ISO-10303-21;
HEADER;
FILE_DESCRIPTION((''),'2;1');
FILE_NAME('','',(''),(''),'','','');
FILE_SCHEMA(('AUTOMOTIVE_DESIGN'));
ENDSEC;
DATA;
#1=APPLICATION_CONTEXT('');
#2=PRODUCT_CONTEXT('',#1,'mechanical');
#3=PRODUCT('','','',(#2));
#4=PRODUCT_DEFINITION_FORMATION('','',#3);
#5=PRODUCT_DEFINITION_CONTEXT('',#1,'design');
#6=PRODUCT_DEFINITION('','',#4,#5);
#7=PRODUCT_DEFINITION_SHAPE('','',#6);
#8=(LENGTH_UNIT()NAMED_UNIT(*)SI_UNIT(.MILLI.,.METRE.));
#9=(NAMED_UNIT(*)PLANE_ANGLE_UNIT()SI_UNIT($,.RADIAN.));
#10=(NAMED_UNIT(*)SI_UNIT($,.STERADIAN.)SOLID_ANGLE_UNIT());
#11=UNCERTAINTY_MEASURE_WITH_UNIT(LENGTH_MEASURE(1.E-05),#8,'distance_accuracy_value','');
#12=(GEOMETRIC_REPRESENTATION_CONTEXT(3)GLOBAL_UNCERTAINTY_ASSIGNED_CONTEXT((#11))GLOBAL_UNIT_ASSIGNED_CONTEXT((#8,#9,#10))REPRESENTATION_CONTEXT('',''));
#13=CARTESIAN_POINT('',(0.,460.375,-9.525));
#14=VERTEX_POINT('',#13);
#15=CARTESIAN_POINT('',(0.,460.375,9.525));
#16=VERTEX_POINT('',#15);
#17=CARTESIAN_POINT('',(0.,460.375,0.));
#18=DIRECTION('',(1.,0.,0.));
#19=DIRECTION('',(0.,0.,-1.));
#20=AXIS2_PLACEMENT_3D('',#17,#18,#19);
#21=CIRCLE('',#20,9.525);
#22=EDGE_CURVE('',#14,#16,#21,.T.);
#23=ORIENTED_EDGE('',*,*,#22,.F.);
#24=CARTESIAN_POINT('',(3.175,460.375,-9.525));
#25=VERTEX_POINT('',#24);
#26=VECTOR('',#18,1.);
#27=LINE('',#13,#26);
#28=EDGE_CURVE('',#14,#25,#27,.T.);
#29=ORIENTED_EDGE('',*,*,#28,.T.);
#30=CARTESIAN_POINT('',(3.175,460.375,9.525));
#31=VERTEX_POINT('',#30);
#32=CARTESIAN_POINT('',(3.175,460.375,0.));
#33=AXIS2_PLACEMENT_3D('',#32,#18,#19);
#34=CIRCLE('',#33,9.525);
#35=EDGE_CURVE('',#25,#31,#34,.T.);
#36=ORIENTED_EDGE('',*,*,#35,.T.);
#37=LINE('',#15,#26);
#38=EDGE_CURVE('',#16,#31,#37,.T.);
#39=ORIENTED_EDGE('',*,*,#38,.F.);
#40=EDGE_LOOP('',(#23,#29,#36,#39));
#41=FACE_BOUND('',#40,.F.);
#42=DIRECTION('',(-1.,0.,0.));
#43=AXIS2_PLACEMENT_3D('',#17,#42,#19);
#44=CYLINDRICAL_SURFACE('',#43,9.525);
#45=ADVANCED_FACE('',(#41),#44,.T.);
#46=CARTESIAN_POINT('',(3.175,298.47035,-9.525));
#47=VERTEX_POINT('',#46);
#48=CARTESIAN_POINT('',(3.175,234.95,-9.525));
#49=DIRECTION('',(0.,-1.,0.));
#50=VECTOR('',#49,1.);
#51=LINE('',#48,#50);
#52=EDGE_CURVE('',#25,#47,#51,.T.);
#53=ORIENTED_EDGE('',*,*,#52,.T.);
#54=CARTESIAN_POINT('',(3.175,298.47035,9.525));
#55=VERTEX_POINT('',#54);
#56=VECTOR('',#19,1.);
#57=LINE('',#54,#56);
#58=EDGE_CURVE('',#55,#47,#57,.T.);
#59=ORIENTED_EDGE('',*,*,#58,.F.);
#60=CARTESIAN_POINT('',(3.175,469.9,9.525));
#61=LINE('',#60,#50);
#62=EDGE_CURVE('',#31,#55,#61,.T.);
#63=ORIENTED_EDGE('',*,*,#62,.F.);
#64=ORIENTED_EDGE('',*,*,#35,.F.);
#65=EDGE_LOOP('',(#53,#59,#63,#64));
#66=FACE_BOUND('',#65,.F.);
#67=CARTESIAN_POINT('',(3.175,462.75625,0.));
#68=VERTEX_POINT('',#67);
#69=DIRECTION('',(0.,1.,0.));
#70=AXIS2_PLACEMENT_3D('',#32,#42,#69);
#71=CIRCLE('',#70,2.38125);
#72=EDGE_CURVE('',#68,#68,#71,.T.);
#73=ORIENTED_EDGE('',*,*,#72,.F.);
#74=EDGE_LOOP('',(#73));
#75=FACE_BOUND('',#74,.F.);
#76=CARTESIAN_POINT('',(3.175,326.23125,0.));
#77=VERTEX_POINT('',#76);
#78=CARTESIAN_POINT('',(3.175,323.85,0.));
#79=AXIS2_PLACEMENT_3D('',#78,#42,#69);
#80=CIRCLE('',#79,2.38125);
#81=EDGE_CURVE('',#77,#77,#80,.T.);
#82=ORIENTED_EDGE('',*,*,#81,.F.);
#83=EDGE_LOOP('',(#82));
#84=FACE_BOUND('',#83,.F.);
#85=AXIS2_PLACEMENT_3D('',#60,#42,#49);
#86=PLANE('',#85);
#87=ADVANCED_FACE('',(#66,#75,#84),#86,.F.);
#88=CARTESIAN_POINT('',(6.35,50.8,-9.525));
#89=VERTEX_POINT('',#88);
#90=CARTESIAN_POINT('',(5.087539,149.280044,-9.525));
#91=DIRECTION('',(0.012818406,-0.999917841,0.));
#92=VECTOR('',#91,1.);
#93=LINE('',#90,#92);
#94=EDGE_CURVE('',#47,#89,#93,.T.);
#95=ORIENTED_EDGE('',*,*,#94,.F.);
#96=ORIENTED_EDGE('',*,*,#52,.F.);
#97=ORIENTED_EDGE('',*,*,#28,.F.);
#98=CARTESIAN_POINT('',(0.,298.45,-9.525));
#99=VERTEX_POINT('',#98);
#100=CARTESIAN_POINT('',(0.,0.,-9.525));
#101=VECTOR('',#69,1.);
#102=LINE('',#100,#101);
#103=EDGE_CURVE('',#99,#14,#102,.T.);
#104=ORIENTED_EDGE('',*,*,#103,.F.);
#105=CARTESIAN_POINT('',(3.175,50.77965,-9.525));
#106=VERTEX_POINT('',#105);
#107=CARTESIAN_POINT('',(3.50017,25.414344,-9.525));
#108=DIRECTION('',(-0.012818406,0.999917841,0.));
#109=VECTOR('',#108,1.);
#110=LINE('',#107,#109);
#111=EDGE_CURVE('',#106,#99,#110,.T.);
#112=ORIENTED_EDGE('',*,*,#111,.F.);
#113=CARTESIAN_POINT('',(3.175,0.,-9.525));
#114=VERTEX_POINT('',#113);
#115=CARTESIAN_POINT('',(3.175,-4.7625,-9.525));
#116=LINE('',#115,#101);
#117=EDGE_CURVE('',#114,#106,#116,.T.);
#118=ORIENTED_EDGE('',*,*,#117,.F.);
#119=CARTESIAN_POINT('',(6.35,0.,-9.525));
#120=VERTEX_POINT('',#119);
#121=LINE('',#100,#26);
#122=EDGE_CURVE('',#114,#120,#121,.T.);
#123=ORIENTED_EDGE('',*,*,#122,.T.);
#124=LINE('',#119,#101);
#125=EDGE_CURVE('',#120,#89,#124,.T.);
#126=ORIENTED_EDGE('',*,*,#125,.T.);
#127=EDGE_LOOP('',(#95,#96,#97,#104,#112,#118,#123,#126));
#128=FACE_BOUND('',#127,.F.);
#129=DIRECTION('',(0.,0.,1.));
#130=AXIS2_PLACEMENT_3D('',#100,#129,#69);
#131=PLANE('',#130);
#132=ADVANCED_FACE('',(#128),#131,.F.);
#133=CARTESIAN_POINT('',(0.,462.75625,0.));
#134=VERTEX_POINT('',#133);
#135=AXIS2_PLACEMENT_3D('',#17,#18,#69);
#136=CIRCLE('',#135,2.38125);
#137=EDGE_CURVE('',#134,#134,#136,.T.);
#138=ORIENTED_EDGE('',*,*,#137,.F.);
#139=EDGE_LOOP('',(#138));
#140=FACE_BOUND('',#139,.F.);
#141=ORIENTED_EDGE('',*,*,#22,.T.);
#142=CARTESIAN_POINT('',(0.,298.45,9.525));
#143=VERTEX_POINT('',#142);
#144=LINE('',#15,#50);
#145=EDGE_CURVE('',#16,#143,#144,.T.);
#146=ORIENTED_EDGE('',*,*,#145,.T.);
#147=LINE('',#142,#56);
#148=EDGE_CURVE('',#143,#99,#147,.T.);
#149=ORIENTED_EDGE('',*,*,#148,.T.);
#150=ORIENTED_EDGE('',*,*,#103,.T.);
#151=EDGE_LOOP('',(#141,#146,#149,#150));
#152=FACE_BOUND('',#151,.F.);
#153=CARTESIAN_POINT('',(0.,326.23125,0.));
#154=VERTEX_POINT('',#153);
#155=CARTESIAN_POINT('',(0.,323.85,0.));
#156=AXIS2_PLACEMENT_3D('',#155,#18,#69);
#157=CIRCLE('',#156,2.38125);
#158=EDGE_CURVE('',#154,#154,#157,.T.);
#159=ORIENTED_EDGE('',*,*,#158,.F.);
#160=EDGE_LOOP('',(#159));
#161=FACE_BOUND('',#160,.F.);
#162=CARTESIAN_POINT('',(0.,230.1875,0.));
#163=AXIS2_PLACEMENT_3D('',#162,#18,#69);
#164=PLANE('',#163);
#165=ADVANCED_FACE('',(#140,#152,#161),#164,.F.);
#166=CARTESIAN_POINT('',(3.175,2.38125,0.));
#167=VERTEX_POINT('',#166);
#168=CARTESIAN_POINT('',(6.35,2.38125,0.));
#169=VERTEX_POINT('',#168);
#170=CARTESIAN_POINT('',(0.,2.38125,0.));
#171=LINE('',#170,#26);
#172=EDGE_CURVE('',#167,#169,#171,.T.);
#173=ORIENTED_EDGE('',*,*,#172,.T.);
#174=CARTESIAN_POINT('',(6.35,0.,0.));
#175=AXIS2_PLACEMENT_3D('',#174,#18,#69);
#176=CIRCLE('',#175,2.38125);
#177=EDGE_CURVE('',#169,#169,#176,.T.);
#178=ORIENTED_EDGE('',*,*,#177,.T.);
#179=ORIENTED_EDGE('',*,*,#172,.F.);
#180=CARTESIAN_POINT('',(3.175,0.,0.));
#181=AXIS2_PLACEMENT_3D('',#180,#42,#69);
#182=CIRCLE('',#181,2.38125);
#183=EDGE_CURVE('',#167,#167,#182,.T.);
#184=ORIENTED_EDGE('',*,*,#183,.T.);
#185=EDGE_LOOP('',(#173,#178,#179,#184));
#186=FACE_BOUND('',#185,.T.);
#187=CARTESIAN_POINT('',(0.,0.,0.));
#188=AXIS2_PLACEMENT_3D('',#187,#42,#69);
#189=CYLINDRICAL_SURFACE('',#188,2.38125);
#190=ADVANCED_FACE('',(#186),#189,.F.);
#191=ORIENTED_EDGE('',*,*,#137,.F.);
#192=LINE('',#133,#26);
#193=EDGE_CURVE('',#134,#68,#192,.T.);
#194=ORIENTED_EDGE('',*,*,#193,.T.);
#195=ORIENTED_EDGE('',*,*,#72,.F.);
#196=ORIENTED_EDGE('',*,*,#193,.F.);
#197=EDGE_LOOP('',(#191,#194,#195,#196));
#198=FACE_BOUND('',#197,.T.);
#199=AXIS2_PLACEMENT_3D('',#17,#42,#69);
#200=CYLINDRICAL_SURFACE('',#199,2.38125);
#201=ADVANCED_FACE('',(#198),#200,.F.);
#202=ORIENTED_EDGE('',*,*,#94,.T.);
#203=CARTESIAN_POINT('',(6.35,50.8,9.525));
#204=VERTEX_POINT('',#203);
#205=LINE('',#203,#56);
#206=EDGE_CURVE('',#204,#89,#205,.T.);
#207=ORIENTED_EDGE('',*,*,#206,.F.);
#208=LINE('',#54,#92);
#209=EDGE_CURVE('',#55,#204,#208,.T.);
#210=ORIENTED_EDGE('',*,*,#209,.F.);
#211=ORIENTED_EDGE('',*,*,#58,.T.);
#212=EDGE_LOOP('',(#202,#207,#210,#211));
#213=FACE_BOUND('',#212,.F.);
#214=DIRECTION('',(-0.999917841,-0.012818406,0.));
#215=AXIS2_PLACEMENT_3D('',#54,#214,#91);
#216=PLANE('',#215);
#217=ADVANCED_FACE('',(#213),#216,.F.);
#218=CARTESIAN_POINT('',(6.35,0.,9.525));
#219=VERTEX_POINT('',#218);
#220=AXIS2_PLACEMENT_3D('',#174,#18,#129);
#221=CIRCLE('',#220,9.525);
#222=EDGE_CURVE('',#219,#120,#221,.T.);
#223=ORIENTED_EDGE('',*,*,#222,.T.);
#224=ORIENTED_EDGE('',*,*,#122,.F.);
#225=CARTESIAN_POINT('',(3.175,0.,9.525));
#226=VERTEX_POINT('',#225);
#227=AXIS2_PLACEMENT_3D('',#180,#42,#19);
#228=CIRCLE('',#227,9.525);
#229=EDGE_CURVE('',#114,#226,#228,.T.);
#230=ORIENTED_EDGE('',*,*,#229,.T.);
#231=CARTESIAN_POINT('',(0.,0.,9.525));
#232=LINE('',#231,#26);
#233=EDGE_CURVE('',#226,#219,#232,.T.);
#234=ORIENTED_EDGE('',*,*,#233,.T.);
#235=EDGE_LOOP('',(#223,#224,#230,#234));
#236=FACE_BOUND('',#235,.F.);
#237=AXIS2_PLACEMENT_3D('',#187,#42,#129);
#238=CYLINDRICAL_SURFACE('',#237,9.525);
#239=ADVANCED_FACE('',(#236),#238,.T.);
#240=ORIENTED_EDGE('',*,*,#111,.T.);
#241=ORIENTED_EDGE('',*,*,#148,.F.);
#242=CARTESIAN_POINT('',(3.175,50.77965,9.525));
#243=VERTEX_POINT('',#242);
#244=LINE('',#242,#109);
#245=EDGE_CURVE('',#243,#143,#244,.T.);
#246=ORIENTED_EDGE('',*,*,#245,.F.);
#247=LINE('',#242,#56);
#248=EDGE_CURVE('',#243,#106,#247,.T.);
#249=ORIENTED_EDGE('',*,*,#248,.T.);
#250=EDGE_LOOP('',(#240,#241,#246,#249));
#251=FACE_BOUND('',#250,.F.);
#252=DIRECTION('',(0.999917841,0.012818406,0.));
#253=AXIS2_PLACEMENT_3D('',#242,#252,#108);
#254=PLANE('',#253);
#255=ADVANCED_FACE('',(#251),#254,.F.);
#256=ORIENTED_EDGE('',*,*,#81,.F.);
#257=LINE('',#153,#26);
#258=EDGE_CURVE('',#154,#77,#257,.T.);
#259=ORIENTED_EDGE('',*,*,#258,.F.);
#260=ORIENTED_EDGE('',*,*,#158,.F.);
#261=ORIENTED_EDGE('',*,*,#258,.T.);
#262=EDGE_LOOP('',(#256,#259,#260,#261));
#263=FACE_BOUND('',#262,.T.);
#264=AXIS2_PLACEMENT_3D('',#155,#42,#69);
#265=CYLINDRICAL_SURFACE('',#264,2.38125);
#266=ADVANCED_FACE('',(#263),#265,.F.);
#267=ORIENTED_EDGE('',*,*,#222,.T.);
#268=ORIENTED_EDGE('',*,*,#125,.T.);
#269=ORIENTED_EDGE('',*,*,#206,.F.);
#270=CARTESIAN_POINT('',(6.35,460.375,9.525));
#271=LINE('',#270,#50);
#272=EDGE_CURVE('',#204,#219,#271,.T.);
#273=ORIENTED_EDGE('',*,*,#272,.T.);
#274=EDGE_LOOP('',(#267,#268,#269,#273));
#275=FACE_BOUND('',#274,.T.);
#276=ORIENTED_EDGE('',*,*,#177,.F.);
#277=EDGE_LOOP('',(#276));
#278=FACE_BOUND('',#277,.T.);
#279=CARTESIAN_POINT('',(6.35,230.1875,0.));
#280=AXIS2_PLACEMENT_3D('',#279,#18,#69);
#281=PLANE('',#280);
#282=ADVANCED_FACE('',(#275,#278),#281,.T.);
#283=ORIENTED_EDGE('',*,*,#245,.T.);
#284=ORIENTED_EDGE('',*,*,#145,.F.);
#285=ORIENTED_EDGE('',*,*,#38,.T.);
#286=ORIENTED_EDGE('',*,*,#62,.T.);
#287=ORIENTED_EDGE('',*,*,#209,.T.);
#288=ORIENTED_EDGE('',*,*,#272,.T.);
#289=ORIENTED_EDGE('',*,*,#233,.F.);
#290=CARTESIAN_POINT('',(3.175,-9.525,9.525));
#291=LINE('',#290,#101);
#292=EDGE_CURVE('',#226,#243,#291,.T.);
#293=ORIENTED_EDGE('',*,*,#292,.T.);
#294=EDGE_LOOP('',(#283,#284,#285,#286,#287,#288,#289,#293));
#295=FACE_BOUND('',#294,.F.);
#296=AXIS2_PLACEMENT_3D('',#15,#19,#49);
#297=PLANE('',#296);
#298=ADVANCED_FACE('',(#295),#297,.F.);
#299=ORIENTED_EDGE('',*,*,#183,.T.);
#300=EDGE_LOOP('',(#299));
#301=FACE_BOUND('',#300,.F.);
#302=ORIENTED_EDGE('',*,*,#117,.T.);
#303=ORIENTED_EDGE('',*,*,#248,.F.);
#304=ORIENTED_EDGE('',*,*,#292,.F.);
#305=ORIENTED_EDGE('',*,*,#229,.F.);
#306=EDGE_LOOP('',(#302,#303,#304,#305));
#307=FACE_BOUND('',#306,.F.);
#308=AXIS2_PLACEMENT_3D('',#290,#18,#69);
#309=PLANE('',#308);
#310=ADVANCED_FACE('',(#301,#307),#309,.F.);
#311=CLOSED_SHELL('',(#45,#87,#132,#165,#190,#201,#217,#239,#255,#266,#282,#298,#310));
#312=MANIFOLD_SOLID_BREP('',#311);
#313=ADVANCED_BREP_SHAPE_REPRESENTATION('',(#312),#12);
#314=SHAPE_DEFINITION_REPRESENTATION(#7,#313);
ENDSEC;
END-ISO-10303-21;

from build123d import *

# Parameters (mm, degrees)
F0_R     = 2.38125
F1_DEPTH = 6.35
F3_DEPTH = 25.4


with BuildPart() as f1:
    # F0 (on Right) → F1 (new body)
    with BuildSketch(Plane.YZ):
        with BuildLine():
            Line((460.375, 9.525), (0, 9.525))
            ThreePointArc((0, 9.525), (-9.525, 0), (0, -9.525))
            Line((0, -9.525), (460.375, -9.525))
            ThreePointArc((460.375, -9.525), (469.9, 0), (460.375, 9.525))
        make_face()
        Circle(F0_R, mode=Mode.SUBTRACT)
        with Locations((323.85, 0)):
            Circle(F0_R, mode=Mode.SUBTRACT)
        with Locations((460.375, 0)):
            Circle(F0_R, mode=Mode.SUBTRACT)
    extrude(amount=F1_DEPTH)

    # F2 (on face) → F3 (cut)
    with BuildSketch(Plane.XY.offset(9.525)):
        Polygon((3.175, 298.47035), (6.35, 50.8), (6.35, 469.9), (3.175, 469.9), align=None)
        Polygon((3.175, 50.77965), (0, 298.45), (0, -9.525), (3.175, -9.525), align=None)
    extrude(amount=-F3_DEPTH, mode=Mode.SUBTRACT)


solid = f1.part
